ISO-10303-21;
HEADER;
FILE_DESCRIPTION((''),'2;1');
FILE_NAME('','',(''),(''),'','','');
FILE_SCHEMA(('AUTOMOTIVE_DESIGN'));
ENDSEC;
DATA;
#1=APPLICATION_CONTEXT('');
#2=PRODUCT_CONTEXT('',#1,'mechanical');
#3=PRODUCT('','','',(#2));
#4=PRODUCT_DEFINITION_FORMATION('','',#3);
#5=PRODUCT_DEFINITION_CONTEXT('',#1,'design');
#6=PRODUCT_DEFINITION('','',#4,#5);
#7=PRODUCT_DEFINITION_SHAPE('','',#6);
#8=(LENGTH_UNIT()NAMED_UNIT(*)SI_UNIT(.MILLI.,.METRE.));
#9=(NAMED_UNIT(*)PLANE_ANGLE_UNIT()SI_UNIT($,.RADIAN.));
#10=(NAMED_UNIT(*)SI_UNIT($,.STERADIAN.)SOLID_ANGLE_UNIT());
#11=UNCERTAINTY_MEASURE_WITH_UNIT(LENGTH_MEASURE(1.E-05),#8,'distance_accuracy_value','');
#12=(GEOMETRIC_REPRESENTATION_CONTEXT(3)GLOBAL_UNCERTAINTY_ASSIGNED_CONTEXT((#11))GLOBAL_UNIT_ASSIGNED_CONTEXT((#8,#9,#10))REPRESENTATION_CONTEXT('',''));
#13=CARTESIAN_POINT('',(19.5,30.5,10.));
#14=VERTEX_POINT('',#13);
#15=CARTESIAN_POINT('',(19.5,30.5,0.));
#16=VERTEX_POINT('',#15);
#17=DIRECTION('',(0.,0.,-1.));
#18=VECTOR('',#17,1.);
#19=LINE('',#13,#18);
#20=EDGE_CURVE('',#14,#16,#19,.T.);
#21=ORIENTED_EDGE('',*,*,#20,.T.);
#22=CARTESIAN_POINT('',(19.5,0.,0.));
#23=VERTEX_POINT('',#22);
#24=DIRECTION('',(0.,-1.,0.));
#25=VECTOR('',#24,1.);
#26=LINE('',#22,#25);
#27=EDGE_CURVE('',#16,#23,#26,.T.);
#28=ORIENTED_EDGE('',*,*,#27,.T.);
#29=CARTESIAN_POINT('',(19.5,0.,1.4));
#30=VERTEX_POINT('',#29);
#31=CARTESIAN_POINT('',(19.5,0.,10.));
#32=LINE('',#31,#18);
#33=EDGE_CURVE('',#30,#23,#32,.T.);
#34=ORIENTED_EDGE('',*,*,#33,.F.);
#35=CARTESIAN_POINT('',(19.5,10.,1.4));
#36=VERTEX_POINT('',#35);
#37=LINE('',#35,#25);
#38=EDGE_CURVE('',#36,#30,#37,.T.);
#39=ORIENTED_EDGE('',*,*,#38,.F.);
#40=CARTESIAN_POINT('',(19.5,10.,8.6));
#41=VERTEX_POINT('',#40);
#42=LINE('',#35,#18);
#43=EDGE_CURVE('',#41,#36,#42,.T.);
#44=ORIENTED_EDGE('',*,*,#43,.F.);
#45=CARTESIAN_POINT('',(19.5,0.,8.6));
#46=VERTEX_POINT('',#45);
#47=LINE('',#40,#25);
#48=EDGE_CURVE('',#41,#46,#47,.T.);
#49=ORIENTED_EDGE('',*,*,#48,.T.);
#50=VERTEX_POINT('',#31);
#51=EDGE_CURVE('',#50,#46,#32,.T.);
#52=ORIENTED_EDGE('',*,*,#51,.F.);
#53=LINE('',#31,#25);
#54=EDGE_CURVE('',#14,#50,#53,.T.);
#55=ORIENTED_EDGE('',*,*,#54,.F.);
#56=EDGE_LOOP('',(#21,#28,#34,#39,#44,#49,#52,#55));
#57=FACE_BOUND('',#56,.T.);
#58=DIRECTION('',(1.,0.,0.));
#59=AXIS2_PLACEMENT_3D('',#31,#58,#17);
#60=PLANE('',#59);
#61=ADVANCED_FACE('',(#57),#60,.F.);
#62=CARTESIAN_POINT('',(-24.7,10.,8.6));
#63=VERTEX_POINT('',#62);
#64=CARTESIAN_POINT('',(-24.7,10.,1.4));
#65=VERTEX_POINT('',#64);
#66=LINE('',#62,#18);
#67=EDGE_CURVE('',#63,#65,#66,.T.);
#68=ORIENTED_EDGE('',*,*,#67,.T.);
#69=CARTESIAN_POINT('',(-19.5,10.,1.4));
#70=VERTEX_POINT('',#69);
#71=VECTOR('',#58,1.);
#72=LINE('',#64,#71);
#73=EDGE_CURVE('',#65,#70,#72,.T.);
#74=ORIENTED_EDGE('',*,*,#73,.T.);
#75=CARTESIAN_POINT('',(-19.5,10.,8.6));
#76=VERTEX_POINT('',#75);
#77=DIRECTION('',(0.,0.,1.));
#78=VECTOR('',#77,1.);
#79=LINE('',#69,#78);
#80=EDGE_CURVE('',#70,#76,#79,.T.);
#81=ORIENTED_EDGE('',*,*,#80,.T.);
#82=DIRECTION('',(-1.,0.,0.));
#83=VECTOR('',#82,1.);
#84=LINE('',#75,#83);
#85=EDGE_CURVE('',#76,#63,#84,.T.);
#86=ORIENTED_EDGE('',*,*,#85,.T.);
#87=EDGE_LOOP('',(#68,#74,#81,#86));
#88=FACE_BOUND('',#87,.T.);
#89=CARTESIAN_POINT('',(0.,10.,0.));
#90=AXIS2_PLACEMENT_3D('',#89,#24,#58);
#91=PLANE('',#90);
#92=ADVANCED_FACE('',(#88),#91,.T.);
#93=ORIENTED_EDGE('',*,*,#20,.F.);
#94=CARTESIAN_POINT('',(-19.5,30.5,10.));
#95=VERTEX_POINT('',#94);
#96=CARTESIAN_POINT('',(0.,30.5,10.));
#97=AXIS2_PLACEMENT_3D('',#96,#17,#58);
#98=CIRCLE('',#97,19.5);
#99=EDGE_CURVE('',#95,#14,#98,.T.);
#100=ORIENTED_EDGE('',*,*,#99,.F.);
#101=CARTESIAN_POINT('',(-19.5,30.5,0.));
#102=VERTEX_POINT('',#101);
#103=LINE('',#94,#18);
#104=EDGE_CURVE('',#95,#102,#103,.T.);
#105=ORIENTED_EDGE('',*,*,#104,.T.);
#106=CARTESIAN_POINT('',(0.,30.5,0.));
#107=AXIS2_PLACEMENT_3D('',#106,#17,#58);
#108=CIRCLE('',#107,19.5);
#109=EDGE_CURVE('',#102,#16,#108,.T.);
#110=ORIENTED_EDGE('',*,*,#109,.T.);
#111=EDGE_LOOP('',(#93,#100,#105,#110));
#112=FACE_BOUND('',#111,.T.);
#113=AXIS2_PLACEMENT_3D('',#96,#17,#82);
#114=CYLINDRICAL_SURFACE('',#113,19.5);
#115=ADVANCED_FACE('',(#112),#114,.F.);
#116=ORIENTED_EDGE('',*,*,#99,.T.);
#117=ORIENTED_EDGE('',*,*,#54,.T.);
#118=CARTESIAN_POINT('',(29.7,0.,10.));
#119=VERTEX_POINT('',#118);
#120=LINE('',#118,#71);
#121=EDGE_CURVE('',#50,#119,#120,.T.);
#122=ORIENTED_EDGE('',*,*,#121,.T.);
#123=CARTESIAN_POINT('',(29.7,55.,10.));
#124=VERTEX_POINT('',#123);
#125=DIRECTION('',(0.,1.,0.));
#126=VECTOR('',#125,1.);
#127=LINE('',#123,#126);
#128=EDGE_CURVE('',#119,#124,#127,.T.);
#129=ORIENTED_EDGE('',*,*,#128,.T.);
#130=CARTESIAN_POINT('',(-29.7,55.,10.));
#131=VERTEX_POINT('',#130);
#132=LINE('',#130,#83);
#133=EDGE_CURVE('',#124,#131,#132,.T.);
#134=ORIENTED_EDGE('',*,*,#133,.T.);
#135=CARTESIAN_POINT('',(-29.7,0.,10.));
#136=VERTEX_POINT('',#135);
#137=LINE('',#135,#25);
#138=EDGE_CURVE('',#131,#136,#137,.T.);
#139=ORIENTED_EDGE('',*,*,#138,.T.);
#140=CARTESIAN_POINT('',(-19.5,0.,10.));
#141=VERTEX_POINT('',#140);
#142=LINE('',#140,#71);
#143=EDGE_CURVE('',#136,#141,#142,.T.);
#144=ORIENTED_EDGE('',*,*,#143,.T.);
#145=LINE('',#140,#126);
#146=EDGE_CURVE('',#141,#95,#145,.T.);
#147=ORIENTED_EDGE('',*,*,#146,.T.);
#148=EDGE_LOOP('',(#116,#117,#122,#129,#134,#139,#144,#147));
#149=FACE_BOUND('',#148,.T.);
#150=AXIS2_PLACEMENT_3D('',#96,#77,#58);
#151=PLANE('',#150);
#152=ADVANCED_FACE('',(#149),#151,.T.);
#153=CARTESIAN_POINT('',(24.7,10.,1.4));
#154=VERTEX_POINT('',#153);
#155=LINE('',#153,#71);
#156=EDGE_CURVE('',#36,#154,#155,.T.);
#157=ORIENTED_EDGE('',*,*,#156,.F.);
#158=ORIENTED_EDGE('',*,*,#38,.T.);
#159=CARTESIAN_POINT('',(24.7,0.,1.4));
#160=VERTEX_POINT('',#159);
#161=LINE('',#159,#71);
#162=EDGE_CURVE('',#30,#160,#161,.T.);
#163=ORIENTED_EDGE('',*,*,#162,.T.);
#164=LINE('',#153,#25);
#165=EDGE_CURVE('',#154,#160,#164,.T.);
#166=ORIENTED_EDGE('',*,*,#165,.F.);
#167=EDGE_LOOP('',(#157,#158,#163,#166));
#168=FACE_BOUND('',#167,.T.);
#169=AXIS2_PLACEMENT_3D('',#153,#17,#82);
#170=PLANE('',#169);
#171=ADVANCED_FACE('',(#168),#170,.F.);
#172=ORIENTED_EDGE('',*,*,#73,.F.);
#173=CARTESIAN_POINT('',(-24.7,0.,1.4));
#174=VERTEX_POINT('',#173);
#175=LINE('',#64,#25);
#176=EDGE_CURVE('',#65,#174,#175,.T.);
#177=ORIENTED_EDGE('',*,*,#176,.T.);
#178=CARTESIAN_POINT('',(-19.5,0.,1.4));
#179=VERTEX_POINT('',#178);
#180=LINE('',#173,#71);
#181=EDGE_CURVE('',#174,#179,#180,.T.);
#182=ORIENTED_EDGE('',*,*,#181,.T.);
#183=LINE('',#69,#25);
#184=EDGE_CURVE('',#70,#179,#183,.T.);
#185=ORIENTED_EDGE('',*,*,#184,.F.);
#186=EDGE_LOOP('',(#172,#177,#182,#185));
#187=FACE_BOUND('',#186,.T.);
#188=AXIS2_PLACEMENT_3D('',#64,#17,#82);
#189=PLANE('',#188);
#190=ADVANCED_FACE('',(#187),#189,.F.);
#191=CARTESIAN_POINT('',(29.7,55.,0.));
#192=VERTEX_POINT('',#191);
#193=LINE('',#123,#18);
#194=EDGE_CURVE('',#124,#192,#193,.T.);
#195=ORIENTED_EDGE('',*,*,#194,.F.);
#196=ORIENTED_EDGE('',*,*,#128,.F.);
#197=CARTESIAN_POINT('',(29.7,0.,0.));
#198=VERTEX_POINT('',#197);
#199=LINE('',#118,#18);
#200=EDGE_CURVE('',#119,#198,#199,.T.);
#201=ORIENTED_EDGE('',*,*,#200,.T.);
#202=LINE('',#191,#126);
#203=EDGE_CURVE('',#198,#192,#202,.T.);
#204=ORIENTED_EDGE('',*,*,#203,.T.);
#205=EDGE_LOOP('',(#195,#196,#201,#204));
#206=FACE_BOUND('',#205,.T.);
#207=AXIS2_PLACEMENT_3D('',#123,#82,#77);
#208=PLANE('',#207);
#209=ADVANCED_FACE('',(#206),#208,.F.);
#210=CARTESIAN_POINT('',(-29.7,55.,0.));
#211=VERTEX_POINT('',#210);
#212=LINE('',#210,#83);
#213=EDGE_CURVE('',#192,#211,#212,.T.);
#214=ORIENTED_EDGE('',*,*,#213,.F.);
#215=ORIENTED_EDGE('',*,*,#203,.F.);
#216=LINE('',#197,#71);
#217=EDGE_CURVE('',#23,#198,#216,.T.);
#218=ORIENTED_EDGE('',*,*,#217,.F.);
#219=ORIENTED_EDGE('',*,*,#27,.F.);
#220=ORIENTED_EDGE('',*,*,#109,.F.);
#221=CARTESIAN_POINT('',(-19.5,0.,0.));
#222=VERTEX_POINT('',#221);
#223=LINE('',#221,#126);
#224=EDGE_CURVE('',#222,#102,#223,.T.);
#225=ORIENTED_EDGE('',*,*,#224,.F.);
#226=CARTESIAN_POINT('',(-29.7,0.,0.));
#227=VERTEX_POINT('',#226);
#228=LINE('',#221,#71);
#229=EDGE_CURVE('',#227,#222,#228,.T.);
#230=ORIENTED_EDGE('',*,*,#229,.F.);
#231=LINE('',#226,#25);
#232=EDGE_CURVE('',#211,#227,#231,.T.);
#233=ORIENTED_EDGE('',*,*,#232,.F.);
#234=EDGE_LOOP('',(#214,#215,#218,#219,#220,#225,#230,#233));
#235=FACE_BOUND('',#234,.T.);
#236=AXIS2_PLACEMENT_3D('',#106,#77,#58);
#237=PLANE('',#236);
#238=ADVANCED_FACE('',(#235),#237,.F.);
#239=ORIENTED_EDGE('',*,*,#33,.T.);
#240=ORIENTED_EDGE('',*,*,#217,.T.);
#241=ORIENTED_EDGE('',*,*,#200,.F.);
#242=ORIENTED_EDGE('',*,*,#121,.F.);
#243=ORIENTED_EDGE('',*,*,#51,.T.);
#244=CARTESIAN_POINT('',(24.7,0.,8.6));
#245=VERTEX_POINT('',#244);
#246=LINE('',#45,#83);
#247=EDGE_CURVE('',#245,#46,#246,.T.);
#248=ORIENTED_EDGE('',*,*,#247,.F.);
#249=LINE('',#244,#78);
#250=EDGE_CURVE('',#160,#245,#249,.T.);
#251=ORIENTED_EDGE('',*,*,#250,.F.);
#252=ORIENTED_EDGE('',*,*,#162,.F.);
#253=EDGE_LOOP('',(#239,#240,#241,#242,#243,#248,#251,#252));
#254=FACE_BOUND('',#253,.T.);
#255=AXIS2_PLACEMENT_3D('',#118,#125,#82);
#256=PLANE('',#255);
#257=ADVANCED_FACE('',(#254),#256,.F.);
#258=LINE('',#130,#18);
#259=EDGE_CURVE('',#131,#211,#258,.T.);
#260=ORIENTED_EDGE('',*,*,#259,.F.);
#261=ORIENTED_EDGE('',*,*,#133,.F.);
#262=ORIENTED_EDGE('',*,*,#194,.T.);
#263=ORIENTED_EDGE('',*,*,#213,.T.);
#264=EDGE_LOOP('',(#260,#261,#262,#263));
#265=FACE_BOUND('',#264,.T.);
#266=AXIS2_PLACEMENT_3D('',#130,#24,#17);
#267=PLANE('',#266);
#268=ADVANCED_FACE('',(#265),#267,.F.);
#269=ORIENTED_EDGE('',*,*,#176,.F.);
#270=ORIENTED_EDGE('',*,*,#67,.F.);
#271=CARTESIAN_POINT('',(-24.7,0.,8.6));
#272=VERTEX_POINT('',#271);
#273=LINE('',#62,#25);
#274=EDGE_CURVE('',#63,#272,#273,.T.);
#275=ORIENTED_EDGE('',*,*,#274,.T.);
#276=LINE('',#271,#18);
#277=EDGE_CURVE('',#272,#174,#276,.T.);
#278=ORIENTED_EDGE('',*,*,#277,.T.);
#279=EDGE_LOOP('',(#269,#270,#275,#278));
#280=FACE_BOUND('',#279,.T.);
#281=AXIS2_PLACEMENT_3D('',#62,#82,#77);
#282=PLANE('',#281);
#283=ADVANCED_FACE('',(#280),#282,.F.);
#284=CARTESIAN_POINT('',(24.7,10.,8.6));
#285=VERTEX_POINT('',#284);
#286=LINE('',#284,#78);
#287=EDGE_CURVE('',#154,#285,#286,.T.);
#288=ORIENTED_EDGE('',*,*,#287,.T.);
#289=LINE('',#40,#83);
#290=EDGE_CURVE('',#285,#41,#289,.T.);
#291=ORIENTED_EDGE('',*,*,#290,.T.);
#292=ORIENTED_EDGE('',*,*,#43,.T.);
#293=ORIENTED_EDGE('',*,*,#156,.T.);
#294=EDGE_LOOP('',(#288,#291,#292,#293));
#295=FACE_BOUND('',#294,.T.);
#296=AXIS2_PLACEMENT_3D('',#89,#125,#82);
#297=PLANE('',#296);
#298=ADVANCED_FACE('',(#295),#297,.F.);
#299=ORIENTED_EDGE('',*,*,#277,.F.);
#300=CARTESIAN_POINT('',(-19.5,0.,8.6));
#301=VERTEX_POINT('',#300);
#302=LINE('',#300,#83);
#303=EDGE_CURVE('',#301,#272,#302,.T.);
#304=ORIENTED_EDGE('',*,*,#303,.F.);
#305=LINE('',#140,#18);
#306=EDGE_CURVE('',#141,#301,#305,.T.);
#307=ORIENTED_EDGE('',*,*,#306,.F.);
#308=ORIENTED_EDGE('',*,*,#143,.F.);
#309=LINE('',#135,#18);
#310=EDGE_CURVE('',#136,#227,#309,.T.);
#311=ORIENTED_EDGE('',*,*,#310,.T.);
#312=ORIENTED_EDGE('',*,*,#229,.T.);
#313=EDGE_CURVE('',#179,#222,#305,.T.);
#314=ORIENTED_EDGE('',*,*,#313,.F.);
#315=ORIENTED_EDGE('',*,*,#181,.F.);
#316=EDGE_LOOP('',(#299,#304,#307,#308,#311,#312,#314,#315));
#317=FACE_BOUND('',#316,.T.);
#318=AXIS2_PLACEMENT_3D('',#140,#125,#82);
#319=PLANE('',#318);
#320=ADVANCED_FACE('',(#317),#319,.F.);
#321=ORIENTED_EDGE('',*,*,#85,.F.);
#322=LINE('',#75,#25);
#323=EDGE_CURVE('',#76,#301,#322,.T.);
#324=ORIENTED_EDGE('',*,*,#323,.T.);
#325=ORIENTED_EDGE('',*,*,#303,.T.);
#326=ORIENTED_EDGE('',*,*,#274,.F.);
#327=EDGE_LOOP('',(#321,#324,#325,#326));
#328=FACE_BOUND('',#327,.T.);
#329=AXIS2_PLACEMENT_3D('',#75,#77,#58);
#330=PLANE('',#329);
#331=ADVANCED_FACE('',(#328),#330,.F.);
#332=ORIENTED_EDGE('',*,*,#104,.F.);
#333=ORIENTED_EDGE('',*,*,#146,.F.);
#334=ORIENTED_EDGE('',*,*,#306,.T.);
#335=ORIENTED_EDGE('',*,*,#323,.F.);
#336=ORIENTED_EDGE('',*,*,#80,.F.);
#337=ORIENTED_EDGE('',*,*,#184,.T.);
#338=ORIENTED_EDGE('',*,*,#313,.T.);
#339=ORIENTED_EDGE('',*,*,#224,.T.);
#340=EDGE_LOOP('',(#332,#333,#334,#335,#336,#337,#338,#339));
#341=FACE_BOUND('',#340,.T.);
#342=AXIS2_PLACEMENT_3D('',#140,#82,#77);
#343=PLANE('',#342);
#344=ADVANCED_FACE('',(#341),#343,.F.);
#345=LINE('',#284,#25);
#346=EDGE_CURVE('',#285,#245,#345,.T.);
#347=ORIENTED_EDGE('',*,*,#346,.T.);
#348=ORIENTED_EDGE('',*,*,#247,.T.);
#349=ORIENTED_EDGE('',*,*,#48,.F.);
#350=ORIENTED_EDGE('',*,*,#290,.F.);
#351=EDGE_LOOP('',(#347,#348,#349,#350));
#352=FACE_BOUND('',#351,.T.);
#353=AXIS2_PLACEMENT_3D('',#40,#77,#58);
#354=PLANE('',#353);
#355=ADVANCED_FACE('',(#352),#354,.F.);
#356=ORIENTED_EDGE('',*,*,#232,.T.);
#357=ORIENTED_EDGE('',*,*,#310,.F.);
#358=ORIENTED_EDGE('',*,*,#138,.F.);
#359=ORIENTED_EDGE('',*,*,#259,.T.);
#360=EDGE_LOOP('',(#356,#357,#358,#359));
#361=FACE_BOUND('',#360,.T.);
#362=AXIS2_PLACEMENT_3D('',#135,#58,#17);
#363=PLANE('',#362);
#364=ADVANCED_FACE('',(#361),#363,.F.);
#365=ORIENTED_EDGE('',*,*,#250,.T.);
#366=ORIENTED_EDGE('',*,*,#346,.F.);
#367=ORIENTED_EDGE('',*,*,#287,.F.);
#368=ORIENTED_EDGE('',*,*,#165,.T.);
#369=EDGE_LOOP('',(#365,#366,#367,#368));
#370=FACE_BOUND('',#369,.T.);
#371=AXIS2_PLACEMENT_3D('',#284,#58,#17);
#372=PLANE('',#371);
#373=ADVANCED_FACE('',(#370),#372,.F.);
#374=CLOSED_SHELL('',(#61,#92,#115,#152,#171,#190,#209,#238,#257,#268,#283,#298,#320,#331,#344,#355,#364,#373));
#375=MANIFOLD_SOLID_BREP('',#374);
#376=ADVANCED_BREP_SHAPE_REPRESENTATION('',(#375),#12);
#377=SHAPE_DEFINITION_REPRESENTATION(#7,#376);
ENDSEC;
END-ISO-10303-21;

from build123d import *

# Parameters (mm, degrees)
SALIENTE_EXTRUIR1_DEPTH = 10
CORTAR_EXTRUIR1_DEPTH   = 10


with BuildPart() as part:
    # Croquis2 → Saliente-Extruir1 (new body)
    with BuildSketch(Plane.XY):
        with BuildLine():
            Line((-19.5, 0), (-29.7, 0))
            Line((-29.7, 0), (-29.7, 55))
            Line((-29.7, 55), (29.7, 55))
            Line((29.7, 55), (29.7, 0))
            Line((29.7, 0), (19.5, 0))
            Line((19.5, 0), (19.5, 30.5))
            ThreePointArc((19.5, 30.5), (0, 50), (-19.5, 30.5))
            Line((-19.5, 30.5), (-19.5, 0))
        make_face()
    extrude(amount=SALIENTE_EXTRUIR1_DEPTH)

    # Croquis3 → Cortar-Extruir1 (cut)
    with BuildSketch(Plane.XZ):
        Polygon((19.5, 5), (19.5, 8.6), (24.7, 8.6), (24.7, 1.4), (19.5, 1.4), align=None)
        Polygon((-24.7, 1.4), (-19.5, 1.4), (-19.5, 5), (-19.5, 8.6), (-24.7, 8.6), align=None)
    extrude(amount=-CORTAR_EXTRUIR1_DEPTH, mode=Mode.SUBTRACT)


solid = part.part
